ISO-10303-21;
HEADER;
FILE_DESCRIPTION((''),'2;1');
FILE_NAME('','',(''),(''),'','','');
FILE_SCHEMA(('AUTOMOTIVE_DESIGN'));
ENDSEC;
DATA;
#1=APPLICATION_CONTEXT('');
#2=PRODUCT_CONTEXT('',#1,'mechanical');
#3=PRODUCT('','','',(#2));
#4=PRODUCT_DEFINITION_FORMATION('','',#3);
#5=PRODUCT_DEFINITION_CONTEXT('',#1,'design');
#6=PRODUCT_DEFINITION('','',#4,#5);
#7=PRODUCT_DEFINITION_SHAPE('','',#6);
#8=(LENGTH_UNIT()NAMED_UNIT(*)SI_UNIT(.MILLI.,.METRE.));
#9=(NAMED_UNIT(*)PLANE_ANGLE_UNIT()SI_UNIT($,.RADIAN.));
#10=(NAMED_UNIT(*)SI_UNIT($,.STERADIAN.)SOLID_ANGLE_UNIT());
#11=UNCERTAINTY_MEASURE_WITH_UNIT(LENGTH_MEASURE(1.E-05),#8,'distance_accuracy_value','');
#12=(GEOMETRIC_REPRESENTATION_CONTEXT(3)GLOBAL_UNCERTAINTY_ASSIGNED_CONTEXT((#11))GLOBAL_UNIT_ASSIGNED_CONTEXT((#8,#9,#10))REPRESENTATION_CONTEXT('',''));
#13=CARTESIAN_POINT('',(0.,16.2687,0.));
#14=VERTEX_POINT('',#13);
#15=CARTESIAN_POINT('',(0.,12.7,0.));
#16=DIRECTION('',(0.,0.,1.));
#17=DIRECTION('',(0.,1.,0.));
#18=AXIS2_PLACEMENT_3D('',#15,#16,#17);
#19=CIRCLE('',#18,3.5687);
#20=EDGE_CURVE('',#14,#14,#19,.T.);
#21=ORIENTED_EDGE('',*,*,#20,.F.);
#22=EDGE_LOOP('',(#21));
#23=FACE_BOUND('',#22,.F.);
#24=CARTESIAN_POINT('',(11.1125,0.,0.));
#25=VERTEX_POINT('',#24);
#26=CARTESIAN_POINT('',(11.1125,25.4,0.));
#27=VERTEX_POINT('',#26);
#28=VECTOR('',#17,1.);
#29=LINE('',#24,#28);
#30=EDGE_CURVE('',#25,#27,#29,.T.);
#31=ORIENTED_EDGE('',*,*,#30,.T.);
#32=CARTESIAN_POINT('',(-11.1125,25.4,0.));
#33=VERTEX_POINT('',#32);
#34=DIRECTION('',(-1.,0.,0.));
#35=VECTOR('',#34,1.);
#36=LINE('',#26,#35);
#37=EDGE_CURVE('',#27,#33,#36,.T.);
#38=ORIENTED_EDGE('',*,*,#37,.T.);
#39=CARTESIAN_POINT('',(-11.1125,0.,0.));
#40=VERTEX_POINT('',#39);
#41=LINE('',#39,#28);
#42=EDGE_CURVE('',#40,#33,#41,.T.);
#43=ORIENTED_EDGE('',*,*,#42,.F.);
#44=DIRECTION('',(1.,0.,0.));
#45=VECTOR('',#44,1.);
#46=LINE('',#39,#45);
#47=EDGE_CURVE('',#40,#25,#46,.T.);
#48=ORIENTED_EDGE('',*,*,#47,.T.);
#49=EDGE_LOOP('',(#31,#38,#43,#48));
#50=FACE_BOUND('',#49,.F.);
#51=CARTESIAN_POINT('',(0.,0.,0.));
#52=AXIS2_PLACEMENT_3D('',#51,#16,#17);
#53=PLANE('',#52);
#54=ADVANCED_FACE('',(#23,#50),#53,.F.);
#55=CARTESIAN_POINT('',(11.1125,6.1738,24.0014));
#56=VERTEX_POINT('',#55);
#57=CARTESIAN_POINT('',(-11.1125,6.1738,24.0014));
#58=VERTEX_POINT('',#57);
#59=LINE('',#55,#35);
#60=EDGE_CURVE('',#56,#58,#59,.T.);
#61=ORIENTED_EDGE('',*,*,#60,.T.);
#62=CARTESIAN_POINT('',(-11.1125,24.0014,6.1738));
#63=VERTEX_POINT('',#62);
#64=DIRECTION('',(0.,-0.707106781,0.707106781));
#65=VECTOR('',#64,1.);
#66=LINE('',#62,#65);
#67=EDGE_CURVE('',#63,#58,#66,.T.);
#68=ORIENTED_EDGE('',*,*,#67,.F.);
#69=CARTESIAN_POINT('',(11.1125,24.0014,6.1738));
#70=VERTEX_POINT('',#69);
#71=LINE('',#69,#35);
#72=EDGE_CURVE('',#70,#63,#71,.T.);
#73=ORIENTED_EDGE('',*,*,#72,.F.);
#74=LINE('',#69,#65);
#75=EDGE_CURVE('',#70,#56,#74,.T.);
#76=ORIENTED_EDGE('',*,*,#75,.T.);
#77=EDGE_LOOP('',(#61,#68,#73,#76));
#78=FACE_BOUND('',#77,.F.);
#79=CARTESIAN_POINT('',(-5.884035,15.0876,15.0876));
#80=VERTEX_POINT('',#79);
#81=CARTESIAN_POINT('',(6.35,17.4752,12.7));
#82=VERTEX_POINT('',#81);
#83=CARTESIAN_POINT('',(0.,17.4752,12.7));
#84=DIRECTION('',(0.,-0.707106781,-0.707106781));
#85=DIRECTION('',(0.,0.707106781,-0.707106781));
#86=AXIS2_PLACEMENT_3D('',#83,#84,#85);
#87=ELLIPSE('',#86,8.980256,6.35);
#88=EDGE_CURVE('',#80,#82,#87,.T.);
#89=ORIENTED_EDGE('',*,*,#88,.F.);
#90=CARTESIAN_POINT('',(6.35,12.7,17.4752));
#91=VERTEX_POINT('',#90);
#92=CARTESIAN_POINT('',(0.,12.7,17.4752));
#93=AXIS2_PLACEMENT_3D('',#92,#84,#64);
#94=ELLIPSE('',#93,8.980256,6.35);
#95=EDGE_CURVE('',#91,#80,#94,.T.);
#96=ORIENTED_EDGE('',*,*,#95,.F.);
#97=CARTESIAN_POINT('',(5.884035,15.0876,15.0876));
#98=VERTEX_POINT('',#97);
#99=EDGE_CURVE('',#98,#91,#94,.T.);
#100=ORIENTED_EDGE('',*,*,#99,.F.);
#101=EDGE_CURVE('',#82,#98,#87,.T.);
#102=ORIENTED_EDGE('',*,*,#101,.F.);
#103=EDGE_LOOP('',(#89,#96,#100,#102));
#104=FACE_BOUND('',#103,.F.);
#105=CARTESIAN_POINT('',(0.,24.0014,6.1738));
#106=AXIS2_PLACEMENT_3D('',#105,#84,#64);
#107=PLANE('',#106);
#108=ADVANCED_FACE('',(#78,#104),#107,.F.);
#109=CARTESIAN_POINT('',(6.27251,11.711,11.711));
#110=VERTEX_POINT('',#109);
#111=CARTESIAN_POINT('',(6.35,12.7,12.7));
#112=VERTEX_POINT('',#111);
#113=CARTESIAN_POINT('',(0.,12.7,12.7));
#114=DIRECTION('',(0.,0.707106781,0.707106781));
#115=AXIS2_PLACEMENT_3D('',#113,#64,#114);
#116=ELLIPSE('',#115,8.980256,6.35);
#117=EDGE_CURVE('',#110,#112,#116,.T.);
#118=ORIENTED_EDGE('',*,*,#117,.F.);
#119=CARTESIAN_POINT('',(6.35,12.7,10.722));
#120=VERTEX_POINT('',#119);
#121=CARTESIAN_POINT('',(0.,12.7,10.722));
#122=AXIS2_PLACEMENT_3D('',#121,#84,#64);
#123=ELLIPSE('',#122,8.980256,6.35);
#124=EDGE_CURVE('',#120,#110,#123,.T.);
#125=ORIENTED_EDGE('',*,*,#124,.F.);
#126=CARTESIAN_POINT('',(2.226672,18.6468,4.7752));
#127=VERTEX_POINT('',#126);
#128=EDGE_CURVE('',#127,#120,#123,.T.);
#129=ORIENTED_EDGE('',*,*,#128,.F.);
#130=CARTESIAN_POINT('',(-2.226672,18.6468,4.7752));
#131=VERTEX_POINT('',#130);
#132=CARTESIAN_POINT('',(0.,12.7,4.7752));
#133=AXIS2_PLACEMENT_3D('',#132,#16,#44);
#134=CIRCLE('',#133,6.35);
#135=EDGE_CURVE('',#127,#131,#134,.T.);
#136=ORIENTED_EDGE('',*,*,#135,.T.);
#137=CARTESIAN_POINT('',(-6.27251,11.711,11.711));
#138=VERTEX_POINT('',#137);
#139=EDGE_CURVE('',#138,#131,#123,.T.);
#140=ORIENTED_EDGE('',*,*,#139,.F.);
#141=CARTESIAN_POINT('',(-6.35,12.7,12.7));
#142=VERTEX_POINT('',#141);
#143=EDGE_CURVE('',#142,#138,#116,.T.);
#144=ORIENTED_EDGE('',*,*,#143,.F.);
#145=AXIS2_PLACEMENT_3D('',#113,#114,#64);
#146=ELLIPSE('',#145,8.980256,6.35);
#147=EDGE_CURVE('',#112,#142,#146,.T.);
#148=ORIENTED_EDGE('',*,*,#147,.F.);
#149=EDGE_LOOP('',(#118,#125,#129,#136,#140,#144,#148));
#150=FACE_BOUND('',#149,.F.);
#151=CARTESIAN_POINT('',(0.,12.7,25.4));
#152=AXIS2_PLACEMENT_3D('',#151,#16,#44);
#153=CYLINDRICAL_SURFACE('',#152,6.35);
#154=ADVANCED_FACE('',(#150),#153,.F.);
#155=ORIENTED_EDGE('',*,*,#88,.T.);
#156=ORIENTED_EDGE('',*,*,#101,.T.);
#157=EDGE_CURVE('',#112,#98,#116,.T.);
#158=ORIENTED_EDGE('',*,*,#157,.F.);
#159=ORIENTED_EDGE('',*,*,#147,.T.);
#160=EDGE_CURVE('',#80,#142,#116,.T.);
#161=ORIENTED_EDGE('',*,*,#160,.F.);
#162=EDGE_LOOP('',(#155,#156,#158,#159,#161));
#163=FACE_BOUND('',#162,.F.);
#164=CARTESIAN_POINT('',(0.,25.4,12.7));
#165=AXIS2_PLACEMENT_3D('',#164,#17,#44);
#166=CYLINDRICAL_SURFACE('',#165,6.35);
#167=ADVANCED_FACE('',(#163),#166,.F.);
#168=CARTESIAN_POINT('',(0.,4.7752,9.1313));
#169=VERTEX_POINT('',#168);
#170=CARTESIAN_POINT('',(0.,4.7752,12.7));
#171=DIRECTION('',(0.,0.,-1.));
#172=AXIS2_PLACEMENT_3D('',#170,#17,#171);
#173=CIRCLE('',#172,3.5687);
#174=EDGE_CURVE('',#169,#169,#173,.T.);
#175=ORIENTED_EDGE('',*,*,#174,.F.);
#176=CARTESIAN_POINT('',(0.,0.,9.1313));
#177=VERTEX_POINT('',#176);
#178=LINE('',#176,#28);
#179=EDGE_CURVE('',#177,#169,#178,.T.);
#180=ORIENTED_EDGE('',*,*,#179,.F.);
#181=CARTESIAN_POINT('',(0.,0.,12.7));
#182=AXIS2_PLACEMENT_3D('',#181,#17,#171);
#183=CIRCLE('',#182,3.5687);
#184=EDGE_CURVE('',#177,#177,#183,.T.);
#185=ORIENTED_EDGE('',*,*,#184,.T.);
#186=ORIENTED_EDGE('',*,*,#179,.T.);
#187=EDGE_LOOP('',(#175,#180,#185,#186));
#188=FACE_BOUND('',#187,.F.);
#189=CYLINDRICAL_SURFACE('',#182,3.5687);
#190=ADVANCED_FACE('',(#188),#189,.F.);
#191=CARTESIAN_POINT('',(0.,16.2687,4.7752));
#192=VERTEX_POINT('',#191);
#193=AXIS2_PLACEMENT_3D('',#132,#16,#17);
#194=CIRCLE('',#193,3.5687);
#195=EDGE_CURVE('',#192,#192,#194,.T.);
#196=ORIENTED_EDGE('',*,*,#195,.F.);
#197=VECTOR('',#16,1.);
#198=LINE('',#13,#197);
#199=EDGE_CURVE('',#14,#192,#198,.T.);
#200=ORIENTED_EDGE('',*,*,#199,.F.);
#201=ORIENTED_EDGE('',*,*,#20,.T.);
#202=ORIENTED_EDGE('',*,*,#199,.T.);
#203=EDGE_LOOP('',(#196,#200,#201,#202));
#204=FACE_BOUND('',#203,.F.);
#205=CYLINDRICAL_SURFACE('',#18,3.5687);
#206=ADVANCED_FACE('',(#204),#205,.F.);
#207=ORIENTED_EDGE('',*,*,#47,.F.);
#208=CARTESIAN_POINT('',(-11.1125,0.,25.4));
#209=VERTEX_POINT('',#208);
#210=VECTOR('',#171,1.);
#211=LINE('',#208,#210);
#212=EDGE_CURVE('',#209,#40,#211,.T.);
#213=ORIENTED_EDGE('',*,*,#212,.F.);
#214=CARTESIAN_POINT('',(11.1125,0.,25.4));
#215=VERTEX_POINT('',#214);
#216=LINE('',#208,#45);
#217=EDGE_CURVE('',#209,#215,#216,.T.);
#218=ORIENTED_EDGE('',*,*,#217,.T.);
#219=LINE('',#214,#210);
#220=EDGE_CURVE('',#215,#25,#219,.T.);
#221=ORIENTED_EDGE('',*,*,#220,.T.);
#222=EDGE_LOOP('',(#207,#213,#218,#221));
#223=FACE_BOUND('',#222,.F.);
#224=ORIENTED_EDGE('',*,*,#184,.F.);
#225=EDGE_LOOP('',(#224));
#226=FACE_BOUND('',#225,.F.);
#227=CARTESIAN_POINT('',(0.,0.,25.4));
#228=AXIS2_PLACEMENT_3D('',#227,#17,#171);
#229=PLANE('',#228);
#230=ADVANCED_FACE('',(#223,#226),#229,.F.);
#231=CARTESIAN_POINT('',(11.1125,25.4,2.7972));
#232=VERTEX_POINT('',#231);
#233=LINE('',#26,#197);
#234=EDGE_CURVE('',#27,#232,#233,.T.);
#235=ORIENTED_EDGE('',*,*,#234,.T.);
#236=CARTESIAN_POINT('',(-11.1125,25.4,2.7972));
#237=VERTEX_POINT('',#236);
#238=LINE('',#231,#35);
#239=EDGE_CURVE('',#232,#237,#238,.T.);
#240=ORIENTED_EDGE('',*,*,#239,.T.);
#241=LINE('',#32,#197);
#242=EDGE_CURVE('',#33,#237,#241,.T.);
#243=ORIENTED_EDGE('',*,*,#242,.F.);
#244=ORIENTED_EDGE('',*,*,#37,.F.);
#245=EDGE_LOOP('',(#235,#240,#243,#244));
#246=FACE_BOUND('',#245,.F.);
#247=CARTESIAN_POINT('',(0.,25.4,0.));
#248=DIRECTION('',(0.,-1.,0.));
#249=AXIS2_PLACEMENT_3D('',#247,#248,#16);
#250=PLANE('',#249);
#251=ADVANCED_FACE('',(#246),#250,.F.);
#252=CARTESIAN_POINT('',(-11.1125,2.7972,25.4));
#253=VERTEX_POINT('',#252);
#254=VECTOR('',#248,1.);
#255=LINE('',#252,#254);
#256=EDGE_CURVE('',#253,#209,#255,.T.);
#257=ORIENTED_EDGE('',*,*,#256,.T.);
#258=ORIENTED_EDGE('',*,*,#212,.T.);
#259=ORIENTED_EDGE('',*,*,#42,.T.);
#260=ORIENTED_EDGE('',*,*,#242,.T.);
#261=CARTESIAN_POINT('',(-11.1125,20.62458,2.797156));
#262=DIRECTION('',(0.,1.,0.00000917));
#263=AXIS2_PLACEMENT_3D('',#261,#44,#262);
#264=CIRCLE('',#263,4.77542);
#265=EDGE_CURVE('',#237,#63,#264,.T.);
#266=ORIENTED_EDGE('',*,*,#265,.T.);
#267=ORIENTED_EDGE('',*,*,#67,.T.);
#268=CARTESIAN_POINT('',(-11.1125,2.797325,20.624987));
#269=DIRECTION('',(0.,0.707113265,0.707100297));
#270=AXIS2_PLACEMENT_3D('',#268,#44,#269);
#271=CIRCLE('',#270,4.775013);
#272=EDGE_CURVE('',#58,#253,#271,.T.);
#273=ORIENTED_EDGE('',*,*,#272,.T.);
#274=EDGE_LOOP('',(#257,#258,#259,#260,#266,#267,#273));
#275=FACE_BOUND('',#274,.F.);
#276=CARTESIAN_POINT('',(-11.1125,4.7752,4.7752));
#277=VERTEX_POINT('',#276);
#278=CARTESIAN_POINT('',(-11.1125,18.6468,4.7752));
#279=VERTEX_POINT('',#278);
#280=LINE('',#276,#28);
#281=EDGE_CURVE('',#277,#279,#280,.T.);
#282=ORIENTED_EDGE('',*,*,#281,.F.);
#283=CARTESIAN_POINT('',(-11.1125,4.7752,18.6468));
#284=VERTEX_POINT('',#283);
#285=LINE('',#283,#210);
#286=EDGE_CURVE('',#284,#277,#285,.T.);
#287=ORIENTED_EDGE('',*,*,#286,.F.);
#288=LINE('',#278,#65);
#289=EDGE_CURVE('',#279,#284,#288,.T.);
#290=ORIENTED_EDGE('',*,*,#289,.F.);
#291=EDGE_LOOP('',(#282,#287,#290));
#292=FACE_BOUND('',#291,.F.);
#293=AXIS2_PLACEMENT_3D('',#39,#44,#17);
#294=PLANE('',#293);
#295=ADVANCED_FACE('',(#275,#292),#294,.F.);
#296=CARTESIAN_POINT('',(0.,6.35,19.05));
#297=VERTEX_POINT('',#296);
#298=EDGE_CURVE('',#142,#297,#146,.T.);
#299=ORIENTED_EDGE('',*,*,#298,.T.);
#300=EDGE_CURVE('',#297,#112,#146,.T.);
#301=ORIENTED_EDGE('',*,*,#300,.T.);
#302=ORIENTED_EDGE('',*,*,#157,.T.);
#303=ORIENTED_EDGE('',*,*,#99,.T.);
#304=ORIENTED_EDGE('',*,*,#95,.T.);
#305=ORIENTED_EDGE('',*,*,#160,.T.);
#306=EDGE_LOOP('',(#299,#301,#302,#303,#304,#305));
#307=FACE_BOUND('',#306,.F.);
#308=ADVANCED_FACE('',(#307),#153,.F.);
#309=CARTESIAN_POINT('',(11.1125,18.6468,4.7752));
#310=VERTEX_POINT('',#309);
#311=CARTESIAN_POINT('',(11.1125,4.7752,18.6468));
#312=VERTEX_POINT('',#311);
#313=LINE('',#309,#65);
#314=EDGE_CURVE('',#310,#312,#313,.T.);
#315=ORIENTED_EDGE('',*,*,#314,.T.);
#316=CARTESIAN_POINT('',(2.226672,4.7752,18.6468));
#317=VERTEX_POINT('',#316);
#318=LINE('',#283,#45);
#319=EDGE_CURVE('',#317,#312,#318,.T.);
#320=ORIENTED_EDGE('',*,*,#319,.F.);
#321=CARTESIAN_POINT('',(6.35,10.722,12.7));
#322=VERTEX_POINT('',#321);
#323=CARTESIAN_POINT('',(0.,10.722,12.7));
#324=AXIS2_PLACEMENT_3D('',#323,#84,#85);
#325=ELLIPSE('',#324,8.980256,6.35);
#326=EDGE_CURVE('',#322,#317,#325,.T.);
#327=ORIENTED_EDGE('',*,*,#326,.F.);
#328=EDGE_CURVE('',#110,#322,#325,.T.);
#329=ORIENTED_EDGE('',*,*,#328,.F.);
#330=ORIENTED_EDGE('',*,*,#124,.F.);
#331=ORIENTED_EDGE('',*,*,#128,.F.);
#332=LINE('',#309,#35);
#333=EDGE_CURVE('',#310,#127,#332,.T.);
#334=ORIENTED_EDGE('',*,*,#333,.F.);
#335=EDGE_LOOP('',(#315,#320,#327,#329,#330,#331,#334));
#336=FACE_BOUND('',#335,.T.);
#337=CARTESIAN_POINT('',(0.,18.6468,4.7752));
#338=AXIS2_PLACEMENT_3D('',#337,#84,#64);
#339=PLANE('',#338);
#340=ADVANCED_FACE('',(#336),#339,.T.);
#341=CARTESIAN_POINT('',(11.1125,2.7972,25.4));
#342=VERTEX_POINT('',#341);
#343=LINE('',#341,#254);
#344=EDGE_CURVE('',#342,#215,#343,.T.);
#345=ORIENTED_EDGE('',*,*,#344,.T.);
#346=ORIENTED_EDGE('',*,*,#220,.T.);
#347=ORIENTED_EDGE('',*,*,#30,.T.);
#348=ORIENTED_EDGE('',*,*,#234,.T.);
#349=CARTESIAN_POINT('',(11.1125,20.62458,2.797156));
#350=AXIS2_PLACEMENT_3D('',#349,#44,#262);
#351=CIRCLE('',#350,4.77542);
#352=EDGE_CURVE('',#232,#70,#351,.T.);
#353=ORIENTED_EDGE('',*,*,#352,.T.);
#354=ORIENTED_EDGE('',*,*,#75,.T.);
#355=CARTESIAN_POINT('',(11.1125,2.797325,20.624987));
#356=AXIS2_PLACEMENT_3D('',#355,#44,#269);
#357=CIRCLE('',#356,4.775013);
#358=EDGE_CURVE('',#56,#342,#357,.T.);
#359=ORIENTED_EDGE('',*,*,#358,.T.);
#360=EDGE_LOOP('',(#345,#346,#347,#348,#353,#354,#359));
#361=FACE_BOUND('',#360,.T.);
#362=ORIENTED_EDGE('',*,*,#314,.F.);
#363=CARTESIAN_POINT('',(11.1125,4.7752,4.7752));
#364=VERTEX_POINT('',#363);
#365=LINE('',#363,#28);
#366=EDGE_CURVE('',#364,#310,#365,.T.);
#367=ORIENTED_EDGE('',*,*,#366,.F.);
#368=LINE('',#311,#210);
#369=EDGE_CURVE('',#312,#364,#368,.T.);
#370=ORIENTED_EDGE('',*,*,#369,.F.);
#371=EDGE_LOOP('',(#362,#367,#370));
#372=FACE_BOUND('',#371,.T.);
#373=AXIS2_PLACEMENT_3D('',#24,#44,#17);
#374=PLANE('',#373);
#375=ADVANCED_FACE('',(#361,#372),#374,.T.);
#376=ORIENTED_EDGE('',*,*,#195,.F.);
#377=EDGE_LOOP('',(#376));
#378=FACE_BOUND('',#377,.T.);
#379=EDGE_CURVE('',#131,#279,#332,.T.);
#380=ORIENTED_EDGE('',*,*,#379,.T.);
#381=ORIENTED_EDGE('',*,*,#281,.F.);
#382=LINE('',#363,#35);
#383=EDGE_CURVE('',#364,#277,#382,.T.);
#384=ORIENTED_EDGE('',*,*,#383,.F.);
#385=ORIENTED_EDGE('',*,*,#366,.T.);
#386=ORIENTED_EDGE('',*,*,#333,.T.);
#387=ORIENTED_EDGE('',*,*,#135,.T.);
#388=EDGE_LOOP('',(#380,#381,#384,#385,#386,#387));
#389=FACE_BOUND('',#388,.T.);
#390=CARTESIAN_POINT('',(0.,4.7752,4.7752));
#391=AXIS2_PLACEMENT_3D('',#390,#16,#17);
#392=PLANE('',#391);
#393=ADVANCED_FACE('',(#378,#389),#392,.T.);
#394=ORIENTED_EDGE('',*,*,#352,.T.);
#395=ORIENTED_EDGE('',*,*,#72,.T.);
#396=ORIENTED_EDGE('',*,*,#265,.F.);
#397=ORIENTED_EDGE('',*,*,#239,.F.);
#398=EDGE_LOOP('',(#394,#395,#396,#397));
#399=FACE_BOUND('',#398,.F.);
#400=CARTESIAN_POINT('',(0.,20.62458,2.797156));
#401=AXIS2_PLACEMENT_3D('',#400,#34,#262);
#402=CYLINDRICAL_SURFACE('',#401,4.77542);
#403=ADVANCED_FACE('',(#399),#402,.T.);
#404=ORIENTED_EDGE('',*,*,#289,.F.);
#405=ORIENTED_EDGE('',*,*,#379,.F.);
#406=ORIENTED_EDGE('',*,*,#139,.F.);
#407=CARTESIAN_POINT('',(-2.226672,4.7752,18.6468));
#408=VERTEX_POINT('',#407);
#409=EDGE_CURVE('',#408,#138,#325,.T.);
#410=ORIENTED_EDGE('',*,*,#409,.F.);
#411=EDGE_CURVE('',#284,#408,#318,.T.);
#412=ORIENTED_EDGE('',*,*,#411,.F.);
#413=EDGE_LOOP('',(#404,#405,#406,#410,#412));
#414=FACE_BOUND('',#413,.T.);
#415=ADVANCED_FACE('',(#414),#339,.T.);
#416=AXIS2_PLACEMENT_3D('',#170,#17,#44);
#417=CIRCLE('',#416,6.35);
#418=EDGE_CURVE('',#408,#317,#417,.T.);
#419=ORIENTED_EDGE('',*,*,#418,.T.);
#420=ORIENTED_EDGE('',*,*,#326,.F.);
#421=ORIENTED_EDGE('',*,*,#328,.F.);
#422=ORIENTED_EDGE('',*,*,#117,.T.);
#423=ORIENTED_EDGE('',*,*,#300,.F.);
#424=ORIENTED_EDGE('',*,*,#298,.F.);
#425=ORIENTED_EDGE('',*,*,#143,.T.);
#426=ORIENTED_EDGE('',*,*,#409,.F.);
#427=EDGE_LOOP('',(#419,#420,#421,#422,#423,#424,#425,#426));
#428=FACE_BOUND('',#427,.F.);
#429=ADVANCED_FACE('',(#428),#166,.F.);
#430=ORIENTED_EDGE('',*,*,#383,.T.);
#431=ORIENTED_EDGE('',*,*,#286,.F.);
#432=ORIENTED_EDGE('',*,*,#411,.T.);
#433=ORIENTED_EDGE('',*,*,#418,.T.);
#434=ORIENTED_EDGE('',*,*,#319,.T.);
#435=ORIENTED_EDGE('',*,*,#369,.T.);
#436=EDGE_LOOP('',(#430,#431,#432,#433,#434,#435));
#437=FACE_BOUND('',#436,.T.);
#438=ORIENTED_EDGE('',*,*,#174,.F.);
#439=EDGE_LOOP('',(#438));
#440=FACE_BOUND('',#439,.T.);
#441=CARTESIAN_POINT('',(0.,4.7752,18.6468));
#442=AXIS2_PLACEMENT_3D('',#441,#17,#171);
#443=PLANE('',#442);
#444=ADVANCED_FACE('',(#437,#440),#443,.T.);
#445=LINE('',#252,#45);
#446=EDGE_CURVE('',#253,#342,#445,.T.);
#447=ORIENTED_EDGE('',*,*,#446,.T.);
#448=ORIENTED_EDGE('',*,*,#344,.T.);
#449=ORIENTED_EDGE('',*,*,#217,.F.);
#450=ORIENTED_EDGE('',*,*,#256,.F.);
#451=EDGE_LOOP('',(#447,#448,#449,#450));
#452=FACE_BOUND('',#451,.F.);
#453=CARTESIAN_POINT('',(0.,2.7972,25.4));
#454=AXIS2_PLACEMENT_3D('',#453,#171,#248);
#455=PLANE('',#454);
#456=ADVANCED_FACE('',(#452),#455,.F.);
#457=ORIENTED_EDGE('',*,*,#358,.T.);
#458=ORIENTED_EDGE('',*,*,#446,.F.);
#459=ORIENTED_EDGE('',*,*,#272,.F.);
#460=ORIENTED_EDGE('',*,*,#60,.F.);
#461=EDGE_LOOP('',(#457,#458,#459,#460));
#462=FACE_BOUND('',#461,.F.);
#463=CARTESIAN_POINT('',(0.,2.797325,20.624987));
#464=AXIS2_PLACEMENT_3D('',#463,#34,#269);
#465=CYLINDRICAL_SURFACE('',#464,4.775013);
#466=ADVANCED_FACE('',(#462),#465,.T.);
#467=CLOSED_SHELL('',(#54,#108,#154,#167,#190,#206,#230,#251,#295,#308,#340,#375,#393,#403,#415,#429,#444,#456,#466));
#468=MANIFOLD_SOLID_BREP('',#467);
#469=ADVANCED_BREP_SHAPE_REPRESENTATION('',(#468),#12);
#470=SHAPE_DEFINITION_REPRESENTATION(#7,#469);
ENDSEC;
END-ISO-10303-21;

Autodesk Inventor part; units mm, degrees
ref_plane "YZ Plane" through (0, 0, 0) normal (1, 0, 0) x (0, 1, 0)
ref_plane "XZ Plane" through (0, 0, 0) normal (0, 1, 0) x (-1, 0, 0)
ref_plane "XY Plane" through (0, 0, 0) normal (0, 0, 1) x (1, 0, 0)
sketch "Sketch_1" plane through (0, 0, 0) normal (1, 0, 0) x (0, 1, 0)
  line L0 (2.7972, 25.4) -> (0, 25.4)
  line L1 (0, 25.4) -> (0, 0)
  line L2 (0, 0) -> (25.4, 0)
  line L3 (25.4, 0) -> (25.4, 2.7972)
  arc A0 (25.4, 2.7972) -> (24.0014, 6.1738) centre (20.6248, 2.7972) ccw
  line L4 (24.0014, 6.1738) -> (6.1738, 24.0014)
  arc A1 (6.1738, 24.0014) -> (2.7972, 25.4) centre (2.7972, 20.6248) ccw
  line L5 (4.7752, 18.6468) -> (4.7752, 4.7752)
  line L6 (4.7752, 4.7752) -> (18.6468, 4.7752)
  line L7 (18.6468, 4.7752) -> (4.7752, 18.6468)
extrude "Extrusion1" add sketch "Sketch_1" along normal mid plane 22.225
sketch "Sketch2" plane through (-11.1125, 0, 25.4) normal (0, -1, 0) x (1, 0, 0)
  point P0 (11.1125, -12.7)
hole "Hole1" at (0, 0, 12.7) direction (0, 1, 0) diameter 7.1374 depth 4.7752
sketch "Sketch3" plane through (11.1125, 0, 0) normal (0, 0, -1) x (-1, 0, 0)
  point P0 (11.1125, 12.7)
hole "Hole2" at (0, 12.7, 0) direction (0, 0, 1) diameter 7.1374 depth 4.7752
sketch "Sketch_4" plane through (0, 0, 25.4) normal (0, 0, 1) x (1, 0, 0)
  circle A0 centre (0, 12.7) radius 6.35
extrude "Extrusion2" cut sketch "Sketch_4" against normal blind 20.6248
sketch "Sketch_5" plane through (0, 25.4, 0) normal (0, 1, 0) x (1, 0, 0)
  circle A0 centre (0, -12.7) radius 6.35
extrude "Extrusion3" cut sketch "Sketch_5" against normal blind 20.6248
properties part number "4132"
